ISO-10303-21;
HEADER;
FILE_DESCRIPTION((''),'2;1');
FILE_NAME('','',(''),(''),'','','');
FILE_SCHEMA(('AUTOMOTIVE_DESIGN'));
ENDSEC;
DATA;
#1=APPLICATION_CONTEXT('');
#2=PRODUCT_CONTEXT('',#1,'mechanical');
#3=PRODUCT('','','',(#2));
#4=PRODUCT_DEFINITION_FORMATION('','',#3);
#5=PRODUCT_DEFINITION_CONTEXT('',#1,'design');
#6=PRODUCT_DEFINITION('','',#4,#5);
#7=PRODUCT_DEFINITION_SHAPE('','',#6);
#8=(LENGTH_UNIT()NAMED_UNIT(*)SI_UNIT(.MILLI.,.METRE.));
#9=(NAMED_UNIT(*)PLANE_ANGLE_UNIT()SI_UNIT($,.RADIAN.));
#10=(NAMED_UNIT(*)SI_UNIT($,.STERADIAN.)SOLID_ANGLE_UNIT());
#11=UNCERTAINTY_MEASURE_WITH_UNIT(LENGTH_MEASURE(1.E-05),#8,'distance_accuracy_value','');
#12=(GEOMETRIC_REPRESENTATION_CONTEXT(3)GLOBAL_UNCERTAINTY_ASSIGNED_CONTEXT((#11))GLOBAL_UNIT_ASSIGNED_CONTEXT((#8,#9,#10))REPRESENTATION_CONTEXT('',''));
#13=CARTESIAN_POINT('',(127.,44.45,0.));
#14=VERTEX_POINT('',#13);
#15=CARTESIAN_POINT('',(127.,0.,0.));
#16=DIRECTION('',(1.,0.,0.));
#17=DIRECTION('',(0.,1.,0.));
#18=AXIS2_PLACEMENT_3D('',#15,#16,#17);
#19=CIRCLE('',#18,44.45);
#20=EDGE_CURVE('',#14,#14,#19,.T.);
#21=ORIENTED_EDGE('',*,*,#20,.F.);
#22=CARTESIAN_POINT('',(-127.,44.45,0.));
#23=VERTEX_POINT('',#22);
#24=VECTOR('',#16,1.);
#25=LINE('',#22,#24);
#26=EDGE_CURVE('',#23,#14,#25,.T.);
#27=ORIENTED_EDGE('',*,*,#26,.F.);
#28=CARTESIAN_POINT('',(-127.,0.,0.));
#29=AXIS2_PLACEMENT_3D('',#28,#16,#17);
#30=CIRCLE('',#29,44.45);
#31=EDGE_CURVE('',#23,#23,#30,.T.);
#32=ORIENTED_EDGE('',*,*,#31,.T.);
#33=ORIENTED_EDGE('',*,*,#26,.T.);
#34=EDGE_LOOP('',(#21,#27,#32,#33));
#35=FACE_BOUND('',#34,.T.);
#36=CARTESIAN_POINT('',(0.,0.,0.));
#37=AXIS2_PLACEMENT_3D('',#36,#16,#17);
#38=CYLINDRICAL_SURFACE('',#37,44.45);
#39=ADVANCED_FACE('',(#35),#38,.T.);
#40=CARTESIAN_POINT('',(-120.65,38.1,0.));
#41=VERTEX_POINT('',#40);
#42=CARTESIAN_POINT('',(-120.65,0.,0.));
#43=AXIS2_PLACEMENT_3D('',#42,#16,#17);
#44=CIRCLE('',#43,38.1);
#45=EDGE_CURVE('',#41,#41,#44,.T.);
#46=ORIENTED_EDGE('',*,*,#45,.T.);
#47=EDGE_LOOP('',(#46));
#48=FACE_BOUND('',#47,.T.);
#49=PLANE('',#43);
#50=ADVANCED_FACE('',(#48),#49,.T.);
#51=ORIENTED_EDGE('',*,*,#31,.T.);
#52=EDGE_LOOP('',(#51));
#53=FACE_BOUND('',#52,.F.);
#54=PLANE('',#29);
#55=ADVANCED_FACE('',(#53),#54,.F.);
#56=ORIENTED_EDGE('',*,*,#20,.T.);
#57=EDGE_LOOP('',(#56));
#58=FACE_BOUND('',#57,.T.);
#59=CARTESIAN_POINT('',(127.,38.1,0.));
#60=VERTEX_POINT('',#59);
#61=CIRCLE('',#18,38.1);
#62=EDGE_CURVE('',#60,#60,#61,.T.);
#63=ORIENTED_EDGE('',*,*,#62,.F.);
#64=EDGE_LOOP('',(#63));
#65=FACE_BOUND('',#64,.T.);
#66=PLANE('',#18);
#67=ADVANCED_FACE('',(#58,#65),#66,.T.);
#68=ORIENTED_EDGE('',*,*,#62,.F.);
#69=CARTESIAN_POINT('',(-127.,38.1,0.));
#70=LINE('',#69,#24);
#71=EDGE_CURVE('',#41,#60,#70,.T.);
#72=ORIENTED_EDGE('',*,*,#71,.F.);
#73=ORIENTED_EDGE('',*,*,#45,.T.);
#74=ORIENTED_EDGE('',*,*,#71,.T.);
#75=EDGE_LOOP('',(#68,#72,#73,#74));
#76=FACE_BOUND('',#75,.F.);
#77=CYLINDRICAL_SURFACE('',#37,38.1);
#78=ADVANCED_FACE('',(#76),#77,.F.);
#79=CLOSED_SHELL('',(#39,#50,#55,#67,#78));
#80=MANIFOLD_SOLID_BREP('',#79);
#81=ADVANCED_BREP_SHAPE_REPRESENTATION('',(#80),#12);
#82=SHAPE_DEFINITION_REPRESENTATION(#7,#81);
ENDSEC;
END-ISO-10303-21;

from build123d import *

# Parameters (mm, degrees)
F0_R          = 44.45
F1_DEPTH      = 127
F1_DEPTH_BACK = 127
F2_T          = -6.35


with BuildPart() as f1:
    # F0 (on Right) → F1 (new body, two sides)
    with BuildSketch(Plane.YZ) as f1_sk:
        Circle(F0_R)
    extrude(amount=F1_DEPTH)
    extrude(f1_sk.sketch, amount=-F1_DEPTH_BACK)

    # F2
    f2_openings = [f1.faces().sort_by_distance(p)[0] for p in [
        (127, 0, 0),
    ]]
    offset(amount=F2_T, openings=f2_openings)


solid = f1.part
